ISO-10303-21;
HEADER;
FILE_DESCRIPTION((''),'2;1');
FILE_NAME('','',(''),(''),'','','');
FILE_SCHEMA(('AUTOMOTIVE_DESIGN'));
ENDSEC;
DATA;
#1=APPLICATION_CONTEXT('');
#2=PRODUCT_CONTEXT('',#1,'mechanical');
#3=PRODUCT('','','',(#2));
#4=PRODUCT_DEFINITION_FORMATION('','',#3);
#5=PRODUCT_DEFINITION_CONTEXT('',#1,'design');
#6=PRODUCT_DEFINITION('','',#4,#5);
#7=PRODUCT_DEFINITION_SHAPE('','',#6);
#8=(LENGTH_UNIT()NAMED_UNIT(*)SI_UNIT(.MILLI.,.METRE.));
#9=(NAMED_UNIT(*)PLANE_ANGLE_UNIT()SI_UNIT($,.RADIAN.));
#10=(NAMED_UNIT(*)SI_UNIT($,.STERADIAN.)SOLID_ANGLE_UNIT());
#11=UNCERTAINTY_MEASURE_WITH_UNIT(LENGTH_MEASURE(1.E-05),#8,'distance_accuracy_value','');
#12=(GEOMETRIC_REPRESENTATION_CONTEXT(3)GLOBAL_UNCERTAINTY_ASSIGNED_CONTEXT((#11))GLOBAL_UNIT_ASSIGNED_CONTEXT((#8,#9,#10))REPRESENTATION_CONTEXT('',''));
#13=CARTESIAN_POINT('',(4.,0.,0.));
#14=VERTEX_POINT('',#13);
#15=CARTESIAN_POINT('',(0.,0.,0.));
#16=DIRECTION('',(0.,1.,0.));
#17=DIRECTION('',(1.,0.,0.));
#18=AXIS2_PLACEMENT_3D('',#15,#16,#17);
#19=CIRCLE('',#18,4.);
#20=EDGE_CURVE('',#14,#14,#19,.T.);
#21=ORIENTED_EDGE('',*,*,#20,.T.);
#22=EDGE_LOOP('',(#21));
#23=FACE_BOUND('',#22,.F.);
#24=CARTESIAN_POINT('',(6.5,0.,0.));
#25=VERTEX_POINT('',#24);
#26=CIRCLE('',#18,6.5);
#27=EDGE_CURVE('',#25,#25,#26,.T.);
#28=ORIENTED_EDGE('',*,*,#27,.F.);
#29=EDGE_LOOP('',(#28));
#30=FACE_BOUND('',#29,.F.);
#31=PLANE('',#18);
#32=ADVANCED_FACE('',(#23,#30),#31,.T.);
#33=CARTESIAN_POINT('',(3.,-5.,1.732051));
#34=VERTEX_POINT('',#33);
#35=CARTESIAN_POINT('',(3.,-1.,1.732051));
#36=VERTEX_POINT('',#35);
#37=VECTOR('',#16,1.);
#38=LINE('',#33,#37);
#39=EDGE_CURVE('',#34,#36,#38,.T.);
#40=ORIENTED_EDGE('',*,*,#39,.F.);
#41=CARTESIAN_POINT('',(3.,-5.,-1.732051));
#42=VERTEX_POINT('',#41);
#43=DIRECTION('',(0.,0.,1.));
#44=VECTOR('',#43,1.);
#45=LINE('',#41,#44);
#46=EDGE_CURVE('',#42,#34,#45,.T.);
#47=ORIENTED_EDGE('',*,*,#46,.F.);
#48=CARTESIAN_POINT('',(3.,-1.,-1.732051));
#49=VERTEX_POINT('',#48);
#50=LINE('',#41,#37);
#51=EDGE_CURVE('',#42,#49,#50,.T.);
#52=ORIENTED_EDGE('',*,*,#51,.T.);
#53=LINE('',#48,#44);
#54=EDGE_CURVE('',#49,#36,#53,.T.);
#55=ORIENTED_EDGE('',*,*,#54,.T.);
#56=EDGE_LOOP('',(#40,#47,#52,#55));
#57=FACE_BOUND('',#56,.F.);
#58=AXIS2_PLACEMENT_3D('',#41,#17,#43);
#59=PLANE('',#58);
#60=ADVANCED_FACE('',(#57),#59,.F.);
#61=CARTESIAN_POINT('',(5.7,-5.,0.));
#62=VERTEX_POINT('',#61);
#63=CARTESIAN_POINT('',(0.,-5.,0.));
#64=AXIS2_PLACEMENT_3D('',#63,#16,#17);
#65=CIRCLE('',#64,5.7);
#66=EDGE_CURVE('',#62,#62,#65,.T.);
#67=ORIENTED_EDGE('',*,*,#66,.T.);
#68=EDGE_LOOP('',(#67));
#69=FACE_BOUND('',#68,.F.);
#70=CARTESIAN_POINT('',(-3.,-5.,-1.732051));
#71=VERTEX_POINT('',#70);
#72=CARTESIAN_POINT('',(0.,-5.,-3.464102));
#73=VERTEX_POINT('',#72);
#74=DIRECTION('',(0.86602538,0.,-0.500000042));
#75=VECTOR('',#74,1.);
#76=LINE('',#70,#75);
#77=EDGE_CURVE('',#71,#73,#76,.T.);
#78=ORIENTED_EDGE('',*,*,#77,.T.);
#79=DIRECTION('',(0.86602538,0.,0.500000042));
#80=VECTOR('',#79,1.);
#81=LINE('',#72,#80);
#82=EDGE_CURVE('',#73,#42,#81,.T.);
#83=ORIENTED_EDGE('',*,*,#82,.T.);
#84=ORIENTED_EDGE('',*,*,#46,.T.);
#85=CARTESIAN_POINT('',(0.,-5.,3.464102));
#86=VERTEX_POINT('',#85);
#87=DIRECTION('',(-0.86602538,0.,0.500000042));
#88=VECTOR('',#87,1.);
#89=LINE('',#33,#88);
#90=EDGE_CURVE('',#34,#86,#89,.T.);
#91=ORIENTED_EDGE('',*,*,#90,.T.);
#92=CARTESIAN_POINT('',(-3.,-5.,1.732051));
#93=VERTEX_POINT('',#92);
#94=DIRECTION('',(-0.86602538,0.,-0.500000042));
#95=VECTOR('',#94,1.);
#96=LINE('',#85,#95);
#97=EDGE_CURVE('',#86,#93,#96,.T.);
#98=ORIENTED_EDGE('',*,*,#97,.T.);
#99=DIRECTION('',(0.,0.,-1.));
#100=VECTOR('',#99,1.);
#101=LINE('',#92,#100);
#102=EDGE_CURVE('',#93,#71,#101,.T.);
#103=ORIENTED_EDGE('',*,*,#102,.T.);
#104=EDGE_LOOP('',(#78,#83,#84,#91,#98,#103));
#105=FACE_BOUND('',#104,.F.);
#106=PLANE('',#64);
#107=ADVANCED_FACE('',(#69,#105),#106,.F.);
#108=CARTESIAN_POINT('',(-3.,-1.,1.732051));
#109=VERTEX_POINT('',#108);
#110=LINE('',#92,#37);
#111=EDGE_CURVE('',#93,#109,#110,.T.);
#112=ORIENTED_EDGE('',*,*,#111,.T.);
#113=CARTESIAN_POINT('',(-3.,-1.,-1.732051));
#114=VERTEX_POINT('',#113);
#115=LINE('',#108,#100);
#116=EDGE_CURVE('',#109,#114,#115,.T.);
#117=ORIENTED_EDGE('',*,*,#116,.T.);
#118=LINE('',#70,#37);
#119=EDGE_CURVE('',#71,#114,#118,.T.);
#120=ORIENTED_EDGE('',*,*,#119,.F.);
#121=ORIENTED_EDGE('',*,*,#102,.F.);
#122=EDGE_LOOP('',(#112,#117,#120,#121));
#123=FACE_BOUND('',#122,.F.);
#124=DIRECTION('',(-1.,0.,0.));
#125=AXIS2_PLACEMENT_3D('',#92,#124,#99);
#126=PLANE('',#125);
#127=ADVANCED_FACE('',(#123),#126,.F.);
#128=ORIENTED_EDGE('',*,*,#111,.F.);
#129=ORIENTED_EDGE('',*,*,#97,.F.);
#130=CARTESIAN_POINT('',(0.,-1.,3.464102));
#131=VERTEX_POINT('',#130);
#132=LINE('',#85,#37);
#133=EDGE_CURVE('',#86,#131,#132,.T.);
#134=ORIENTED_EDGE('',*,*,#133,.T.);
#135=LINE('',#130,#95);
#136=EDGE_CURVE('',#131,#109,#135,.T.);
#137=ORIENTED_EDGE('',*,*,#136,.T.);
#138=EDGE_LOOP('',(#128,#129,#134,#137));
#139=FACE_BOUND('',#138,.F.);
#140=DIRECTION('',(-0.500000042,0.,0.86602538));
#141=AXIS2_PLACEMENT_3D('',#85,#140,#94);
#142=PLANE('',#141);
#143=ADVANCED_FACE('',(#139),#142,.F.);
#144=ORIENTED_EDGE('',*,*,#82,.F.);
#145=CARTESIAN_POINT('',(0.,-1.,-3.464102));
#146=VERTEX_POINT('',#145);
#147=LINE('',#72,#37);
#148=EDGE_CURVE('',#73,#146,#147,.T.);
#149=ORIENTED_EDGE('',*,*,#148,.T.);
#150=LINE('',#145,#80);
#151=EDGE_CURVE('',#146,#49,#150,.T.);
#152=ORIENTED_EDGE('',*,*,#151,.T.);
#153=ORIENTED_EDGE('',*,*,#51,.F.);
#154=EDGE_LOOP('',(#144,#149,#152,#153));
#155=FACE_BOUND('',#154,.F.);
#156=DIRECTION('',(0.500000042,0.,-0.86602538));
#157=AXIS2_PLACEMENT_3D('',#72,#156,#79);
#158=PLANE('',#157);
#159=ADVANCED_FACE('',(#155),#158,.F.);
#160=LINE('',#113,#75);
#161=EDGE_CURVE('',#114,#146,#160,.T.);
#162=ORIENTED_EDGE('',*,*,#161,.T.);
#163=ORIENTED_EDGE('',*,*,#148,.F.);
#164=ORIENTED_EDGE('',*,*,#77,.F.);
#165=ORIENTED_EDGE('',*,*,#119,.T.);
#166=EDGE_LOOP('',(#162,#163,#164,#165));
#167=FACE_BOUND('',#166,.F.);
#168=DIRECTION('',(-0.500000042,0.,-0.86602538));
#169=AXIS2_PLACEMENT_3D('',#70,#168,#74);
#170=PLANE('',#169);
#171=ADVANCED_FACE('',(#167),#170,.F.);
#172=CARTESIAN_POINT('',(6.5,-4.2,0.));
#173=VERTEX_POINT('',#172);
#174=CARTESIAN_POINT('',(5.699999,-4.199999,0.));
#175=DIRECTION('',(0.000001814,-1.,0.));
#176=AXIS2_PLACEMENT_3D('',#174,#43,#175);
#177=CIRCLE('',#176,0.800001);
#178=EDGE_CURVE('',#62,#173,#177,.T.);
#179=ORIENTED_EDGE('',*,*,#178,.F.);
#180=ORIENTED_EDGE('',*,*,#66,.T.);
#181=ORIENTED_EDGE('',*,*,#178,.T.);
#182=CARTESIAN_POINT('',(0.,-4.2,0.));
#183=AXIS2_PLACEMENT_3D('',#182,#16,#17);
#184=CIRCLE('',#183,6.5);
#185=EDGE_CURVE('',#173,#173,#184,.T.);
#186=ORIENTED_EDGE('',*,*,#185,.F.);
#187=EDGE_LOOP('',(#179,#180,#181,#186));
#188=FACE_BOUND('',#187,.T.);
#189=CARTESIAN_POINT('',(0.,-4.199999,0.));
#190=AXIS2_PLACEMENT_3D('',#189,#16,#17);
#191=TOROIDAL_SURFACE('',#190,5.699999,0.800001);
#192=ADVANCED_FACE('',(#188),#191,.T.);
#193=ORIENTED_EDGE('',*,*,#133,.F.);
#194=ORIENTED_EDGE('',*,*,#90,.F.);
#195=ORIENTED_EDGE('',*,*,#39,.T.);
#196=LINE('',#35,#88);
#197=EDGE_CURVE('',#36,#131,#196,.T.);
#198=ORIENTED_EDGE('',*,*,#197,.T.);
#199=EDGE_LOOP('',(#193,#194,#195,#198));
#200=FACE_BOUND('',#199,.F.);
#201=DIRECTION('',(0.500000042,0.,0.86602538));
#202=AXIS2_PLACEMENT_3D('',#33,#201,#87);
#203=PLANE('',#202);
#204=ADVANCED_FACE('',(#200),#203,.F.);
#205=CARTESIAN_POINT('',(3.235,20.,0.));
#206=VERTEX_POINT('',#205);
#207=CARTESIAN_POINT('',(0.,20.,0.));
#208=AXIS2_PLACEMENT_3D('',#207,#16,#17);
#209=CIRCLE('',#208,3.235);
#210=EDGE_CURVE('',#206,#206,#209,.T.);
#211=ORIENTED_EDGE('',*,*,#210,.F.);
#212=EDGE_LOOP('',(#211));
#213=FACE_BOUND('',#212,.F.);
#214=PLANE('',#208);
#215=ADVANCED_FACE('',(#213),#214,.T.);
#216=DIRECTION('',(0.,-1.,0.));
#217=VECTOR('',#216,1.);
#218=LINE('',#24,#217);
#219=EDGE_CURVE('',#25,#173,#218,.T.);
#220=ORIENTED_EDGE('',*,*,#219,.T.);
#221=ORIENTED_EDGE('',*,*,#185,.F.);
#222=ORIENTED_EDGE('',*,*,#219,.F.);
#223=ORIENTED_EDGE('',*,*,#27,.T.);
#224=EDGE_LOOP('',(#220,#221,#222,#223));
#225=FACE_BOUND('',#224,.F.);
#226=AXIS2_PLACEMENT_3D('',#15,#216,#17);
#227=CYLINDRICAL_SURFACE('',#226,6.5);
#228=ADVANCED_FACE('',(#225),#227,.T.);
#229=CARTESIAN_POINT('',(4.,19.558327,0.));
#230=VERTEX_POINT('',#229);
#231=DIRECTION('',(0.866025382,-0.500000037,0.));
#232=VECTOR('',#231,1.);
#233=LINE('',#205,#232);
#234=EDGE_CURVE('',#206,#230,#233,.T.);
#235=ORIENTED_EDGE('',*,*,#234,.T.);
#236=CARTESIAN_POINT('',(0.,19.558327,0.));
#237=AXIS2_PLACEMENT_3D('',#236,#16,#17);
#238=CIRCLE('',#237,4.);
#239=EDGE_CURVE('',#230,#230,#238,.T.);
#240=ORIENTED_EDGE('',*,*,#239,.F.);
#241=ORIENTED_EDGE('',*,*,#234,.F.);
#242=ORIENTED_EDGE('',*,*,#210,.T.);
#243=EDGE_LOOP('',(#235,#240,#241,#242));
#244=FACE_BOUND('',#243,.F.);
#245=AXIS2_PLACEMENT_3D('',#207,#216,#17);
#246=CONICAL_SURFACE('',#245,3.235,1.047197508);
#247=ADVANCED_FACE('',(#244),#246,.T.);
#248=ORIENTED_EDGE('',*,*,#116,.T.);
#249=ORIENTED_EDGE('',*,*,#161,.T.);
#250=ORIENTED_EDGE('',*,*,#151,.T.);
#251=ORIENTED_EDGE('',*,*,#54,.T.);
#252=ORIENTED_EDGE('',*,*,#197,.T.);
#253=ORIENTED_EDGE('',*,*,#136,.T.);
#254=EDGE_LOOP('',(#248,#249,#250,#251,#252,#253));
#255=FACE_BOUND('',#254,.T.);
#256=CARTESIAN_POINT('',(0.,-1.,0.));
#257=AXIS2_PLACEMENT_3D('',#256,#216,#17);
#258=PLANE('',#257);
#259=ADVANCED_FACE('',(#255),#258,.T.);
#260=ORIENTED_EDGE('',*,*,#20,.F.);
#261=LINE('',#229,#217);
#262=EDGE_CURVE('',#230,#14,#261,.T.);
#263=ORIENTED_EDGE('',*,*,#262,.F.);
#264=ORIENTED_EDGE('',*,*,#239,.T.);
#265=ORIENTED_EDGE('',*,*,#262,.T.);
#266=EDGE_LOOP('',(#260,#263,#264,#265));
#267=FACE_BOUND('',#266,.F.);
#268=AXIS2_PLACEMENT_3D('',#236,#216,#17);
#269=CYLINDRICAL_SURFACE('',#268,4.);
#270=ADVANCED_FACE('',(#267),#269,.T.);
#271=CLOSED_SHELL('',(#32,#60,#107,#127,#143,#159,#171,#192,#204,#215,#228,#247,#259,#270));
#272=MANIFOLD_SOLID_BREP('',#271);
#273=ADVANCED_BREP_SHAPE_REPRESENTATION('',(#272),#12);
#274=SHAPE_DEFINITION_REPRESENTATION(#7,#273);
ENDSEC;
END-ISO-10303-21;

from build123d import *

# Parameters (mm, degrees)
POCKET_DEPTH = 4


with BuildPart() as part:
    # Sketch → Revolution (revolve)
    with BuildSketch(Plane.XY):
        with BuildLine():
            Line((4, 0), (6.5, 0))
            Line((6.5, 0), (6.5, -4.2))
            ThreePointArc((5.7, -5), (6.265685, -4.765685), (6.5, -4.2))
            Line((5.7, -5), (0, -5))
            Line((0, -5), (0, 20))
            Line((0, 20), (3.235, 20))
            Line((3.235, 20), (4, 19.558327))
            Line((4, 19.558327), (4, 0))
        make_face()
    revolve(axis=Axis((0, 0, 0), (0, 1, 0)))

    # Sketch001 → Pocket (cut)
    with BuildSketch(Plane.XZ.offset(5)):
        Polygon((-3, 1.732051), (-3, -1.732051), (0, -3.464102), (3, -1.732051), (3, 1.732051), (0, 3.464102), align=None)
    extrude(amount=-POCKET_DEPTH, mode=Mode.SUBTRACT)


solid = part.part
